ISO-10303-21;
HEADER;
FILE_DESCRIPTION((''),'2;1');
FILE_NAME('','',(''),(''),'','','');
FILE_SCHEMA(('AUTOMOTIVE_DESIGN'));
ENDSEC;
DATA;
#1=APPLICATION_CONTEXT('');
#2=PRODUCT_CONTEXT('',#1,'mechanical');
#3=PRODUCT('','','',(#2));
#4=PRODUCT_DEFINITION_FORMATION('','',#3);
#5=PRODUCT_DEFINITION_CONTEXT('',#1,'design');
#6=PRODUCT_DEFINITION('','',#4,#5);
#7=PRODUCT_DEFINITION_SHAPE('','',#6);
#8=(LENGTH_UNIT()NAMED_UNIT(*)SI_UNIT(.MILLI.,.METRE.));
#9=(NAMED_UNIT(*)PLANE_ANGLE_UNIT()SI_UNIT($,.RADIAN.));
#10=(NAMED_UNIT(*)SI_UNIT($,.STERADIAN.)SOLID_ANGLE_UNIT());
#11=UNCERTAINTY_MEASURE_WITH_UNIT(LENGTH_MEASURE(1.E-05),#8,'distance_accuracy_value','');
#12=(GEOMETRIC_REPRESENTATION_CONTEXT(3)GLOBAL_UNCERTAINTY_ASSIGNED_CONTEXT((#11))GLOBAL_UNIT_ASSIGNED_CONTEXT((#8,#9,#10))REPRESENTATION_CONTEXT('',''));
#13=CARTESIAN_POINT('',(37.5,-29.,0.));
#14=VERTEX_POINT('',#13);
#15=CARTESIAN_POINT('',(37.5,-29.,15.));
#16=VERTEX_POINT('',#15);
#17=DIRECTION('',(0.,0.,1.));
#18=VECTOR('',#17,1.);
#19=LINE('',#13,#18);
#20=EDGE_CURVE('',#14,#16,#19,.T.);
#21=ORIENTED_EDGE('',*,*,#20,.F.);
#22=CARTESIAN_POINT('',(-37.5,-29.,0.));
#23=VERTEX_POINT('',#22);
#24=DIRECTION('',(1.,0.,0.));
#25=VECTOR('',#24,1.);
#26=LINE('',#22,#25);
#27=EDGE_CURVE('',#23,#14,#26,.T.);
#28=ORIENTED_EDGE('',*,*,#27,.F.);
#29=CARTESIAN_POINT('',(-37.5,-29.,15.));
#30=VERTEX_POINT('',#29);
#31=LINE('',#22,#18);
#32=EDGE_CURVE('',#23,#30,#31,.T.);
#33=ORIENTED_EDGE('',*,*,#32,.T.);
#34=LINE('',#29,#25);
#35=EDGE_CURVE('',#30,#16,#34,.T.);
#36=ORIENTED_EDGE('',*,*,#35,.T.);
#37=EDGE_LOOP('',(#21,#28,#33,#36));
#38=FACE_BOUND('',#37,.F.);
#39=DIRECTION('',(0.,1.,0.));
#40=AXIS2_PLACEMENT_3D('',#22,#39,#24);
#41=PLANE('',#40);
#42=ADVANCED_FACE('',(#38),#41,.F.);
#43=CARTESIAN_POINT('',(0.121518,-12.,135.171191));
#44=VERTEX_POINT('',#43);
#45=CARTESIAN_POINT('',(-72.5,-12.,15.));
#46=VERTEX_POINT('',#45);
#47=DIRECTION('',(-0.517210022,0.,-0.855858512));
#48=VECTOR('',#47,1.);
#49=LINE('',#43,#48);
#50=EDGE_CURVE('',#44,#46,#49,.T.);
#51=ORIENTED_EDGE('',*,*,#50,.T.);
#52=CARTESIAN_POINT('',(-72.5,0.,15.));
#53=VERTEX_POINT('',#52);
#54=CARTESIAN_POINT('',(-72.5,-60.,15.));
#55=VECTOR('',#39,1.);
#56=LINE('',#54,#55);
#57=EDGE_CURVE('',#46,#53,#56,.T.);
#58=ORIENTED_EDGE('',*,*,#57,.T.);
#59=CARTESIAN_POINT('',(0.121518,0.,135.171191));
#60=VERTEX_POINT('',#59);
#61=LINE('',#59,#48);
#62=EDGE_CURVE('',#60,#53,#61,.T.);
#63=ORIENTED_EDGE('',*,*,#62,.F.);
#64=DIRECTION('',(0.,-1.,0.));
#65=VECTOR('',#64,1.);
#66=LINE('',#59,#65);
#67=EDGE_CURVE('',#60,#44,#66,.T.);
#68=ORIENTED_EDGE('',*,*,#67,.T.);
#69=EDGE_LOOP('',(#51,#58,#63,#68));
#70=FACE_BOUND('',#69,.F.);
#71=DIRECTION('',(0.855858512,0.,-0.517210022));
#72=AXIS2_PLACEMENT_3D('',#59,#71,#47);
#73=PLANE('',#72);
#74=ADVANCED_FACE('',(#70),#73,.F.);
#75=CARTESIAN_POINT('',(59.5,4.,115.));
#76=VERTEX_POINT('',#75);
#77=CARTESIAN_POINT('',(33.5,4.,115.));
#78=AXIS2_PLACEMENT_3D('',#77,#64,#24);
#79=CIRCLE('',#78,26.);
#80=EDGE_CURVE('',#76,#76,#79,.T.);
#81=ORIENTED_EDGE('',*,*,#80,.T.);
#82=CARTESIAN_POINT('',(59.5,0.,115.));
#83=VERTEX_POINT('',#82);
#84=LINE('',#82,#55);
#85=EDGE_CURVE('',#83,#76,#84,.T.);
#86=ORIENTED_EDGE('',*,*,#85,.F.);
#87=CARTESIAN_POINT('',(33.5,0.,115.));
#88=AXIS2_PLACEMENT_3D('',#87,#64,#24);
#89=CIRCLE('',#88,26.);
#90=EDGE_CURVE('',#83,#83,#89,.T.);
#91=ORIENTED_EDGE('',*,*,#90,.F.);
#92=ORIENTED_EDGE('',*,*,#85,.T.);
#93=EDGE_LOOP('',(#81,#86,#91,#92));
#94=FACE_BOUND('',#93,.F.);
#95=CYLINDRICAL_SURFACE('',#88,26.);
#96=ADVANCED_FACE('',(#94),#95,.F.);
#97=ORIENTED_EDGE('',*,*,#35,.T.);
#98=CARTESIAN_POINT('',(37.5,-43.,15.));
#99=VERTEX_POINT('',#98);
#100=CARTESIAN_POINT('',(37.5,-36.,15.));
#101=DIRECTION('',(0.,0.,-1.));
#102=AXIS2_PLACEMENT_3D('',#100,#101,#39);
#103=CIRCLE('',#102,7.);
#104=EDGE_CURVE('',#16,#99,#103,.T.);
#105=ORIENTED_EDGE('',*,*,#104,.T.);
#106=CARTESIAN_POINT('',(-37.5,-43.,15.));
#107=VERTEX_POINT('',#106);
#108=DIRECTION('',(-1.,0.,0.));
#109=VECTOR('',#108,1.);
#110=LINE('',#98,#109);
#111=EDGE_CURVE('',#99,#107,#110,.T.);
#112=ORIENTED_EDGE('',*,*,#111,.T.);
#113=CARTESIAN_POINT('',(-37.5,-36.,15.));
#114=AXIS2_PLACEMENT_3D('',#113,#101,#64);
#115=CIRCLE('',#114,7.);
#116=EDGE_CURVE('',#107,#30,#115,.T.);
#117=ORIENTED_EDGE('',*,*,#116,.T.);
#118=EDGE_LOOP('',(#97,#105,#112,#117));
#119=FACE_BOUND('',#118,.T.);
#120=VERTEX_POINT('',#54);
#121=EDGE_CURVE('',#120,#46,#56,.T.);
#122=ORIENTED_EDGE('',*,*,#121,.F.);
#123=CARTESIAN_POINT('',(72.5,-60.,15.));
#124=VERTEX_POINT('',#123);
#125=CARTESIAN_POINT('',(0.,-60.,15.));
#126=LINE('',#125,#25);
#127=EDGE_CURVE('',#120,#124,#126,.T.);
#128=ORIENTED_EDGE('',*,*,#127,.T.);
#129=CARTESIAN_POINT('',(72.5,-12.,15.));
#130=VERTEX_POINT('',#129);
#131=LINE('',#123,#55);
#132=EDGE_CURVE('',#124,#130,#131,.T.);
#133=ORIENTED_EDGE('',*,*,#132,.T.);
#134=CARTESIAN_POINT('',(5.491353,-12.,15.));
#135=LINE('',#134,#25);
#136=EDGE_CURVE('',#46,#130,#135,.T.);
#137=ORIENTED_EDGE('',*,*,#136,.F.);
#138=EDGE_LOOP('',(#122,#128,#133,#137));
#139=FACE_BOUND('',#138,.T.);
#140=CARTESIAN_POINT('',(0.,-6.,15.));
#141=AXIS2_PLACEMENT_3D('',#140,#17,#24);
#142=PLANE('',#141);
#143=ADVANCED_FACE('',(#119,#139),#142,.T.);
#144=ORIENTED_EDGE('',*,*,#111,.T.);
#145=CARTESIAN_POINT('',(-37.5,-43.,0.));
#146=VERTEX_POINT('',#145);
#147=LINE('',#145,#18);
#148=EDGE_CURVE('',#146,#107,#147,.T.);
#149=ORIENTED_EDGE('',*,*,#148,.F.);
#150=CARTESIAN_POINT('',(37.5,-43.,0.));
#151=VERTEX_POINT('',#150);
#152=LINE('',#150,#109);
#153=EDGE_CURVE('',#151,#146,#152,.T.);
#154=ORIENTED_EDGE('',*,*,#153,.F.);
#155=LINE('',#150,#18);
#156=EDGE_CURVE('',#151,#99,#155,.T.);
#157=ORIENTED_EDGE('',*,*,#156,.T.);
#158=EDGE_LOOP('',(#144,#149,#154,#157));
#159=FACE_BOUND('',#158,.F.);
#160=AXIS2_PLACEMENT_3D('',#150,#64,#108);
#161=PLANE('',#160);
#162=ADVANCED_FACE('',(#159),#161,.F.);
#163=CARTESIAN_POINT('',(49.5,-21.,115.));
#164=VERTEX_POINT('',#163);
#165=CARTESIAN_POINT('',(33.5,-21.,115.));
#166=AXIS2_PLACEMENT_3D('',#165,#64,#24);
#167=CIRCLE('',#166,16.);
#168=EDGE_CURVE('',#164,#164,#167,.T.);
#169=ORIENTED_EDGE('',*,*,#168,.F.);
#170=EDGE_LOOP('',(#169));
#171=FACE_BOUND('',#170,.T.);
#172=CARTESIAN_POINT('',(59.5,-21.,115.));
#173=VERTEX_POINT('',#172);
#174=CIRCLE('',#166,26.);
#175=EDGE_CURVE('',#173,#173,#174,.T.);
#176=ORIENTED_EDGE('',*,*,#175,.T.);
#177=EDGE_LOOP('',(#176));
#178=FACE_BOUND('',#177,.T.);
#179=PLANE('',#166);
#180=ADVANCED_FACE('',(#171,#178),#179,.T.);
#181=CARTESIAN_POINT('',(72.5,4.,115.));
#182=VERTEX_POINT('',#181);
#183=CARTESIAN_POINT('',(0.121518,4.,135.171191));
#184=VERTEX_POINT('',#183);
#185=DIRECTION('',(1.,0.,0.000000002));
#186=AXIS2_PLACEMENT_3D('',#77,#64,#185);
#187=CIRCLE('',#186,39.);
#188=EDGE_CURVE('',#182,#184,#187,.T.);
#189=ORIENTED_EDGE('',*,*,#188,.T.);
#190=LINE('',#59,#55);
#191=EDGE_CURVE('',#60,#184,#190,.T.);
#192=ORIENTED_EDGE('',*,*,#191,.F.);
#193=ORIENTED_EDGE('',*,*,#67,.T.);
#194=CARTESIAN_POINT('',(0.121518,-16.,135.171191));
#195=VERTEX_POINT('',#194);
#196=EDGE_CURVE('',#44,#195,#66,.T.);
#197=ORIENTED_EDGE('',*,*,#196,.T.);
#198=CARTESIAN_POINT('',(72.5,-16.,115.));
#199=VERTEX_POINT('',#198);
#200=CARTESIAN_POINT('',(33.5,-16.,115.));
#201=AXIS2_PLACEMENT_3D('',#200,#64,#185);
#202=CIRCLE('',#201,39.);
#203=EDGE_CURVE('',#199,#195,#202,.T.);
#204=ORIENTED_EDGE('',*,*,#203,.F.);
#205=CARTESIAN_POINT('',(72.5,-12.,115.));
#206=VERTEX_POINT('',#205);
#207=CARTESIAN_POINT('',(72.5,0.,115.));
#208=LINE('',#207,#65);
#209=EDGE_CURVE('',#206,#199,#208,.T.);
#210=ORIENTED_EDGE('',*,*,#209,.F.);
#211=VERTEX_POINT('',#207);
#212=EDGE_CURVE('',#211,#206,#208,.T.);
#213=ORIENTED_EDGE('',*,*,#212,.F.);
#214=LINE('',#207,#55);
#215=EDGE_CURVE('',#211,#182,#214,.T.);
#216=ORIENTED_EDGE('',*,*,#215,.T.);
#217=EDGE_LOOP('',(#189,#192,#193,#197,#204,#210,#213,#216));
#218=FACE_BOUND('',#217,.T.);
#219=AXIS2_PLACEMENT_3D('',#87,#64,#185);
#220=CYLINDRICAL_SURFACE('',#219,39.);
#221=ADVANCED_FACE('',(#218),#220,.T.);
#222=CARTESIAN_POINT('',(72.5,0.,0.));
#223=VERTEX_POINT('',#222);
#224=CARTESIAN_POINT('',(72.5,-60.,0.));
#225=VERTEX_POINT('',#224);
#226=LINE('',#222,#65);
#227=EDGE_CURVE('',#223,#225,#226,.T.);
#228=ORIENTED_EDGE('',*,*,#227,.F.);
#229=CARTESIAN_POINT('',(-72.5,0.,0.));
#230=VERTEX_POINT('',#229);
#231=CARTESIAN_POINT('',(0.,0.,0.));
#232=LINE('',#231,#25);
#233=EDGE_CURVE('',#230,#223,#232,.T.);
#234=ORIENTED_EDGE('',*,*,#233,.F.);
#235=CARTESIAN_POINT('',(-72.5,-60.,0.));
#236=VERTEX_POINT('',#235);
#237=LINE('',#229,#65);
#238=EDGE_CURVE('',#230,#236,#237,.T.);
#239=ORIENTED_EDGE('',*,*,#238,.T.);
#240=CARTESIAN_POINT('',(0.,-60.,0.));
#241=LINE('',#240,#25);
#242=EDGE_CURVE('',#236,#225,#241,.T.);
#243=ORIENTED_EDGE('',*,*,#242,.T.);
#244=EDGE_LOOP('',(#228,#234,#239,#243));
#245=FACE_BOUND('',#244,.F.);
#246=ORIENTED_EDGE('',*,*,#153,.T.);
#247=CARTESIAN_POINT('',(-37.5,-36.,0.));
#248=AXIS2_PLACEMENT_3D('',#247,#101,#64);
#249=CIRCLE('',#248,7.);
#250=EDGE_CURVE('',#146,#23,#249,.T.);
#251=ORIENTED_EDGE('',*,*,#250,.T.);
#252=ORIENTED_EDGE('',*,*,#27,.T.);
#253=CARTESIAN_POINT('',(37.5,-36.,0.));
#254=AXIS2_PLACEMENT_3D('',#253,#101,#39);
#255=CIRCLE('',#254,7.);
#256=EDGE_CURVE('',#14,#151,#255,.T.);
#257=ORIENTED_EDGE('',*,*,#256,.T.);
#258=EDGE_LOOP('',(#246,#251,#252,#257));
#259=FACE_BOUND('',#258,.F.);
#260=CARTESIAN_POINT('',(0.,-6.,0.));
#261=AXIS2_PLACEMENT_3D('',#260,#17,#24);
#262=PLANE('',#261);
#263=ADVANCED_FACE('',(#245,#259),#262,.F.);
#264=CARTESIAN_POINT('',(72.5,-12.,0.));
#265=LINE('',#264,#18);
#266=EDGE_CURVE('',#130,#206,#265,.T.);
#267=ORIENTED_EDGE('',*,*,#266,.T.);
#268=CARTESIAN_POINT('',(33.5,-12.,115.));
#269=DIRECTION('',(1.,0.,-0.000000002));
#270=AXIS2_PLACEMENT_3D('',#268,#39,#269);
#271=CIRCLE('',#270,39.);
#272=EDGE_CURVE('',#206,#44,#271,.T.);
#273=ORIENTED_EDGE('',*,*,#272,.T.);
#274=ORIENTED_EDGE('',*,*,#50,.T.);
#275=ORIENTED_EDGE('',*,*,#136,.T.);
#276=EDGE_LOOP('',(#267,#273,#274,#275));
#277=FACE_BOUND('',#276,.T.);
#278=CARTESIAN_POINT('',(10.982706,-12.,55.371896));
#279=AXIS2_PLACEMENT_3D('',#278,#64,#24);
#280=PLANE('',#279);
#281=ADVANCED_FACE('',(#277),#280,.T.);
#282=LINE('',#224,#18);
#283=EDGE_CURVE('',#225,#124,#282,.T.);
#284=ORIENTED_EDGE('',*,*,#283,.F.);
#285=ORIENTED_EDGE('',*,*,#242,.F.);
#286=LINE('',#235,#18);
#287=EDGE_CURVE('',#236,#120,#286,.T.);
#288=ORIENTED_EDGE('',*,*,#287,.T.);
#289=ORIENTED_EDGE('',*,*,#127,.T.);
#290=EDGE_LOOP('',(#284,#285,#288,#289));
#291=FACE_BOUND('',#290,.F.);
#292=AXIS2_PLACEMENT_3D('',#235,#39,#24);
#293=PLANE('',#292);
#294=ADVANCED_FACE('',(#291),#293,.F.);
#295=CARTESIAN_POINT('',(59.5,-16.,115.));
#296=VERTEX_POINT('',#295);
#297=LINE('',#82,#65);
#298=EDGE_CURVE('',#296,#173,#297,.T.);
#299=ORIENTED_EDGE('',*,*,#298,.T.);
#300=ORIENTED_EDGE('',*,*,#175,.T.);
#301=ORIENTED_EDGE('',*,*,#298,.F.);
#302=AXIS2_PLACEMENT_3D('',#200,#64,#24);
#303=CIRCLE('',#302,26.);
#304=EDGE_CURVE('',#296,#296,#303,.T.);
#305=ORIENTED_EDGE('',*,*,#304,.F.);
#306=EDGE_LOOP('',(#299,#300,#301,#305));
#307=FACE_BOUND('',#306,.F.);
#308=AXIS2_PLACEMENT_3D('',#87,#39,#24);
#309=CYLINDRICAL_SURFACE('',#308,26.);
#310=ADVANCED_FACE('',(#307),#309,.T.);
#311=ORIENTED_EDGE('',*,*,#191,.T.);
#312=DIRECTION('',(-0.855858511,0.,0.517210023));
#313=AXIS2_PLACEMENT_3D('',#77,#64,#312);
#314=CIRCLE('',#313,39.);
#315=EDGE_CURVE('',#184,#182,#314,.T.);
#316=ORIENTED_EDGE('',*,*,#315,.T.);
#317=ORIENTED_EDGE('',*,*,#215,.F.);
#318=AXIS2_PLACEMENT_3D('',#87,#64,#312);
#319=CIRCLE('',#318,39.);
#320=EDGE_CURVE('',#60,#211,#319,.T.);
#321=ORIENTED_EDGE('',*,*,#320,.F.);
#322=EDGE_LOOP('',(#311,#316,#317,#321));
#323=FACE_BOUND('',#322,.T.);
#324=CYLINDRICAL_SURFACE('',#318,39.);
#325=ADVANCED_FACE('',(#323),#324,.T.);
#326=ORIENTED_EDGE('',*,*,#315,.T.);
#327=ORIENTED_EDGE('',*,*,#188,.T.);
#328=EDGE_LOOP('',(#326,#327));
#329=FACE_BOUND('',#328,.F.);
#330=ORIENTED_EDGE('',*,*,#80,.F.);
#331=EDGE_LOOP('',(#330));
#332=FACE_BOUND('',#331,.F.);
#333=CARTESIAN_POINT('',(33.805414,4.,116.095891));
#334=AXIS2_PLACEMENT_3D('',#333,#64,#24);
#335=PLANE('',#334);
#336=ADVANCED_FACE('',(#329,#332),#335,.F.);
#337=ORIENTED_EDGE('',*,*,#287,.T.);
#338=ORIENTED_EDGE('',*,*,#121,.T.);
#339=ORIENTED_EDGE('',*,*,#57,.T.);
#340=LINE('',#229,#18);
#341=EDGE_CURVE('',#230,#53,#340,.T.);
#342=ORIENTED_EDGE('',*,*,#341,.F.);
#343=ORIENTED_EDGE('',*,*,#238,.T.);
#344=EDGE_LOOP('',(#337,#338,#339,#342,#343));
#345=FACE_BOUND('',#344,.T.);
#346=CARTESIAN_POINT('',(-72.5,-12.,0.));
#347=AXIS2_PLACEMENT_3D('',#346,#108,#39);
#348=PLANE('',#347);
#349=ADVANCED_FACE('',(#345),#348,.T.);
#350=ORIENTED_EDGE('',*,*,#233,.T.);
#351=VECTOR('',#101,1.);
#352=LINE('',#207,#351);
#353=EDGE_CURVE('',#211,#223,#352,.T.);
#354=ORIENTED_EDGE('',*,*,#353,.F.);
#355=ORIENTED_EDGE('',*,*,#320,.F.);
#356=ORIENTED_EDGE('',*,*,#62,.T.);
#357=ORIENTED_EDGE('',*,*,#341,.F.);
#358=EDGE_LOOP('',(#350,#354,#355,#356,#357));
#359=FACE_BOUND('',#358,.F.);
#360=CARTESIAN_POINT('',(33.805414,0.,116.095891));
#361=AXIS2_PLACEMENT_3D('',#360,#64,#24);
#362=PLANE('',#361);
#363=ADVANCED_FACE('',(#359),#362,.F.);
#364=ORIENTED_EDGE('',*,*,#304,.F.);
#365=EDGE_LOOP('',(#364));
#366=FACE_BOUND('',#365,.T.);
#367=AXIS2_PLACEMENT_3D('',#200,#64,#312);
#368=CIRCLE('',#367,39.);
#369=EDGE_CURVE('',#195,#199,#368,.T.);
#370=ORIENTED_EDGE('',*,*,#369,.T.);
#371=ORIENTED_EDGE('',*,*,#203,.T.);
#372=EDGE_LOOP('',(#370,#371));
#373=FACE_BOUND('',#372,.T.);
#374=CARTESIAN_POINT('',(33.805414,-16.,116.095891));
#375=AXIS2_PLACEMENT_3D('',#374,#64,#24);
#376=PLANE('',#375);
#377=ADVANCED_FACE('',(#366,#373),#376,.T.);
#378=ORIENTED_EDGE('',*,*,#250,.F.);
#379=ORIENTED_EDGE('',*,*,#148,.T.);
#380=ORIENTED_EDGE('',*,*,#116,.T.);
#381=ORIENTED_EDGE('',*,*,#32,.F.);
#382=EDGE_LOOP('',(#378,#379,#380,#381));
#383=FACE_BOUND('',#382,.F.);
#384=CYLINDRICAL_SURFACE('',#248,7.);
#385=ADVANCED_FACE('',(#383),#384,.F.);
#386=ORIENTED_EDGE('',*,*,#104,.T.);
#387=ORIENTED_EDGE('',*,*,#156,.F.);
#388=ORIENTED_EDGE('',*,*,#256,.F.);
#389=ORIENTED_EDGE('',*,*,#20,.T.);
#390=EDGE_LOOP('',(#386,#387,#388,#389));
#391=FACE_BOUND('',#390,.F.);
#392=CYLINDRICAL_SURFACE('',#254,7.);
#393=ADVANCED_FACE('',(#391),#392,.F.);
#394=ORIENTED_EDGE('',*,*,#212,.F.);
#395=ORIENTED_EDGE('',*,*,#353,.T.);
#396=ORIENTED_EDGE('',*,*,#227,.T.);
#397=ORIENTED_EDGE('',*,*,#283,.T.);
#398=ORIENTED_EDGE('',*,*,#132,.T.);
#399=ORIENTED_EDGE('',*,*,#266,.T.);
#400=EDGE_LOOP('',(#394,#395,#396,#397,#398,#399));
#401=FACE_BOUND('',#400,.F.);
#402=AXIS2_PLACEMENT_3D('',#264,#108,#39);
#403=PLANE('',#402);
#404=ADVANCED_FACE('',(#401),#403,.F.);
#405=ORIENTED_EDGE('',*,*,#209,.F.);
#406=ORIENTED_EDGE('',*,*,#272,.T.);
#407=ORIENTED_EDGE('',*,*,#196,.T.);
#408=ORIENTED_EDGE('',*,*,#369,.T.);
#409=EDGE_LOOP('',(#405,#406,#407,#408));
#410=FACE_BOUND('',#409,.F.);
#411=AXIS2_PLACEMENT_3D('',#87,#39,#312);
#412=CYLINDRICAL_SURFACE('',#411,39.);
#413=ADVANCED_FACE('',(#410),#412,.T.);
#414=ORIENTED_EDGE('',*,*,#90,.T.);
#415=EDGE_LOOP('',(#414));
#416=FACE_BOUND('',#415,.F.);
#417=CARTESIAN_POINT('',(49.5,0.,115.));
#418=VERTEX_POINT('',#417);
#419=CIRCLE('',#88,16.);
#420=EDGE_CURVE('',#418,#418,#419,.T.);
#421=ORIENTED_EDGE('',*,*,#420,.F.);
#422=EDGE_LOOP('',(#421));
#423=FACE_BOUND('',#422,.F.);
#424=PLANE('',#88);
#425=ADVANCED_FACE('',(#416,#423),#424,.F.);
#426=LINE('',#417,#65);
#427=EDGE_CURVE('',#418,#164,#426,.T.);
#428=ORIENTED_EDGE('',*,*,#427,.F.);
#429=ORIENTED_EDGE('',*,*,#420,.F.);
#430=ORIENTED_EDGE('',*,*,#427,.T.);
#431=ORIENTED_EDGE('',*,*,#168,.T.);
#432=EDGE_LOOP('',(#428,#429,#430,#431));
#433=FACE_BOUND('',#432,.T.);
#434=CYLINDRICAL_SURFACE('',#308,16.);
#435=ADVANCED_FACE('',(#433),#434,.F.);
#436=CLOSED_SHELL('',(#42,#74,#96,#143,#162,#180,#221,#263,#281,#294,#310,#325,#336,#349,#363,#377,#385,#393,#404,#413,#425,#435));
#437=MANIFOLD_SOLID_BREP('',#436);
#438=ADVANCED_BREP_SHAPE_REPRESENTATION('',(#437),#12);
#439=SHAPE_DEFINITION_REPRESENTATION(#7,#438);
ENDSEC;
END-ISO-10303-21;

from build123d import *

# Parameters (mm, degrees)
F0_W          = 145
F0_H          = 48
F1_DEPTH      = 15
F0_H_2        = 12
F2_DEPTH      = 15
F4_DEPTH      = 12
F3_R          = 26
F5_DEPTH      = 16
F5_DEPTH_BACK = 4
F3_R_2        = 16
F6_DEPTH      = 21


with BuildPart() as f1:
    # F0 (on Top) → F1 (new body)
    with BuildSketch(Plane.XY):
        with Locations((0, -36)):
            Rectangle(F0_W, F0_H)
        with BuildLine():
            ThreePointArc((-37.5, -43), (-44.5, -36), (-37.5, -29))
            Line((-37.5, -29), (37.5, -29))
            ThreePointArc((37.5, -29), (44.5, -36), (37.5, -43))
            Line((37.5, -43), (-37.5, -43))
        make_face(mode=Mode.SUBTRACT)
    extrude(amount=F1_DEPTH)

    # F0 (on Top) → F2 (join)
    with BuildSketch(Plane.XY):
        with Locations((0, -6)):
            Rectangle(F0_W, F0_H_2)
    extrude(amount=F2_DEPTH)

    # F3 (on Front) → F4 (join)
    with BuildSketch(Plane.XZ):
        with BuildLine():
            Line((-72.5, 15), (-72.5, 0))
            Line((-72.5, 0), (72.5, 0))
            Line((72.5, 0), (72.5, 115))
            ThreePointArc((72.5, 115), (23.030062, 77.431657), (0.121518, 135.171191))
            Line((0.121518, 135.171191), (-72.5, 15))
        make_face()
    extrude(amount=F4_DEPTH)

    # F3 (on Front) → F5 (join, two sides)
    with BuildSketch(Plane.XZ) as f5_sk:
        with BuildLine():
            ThreePointArc((0.121518, 135.171191), (23.030062, 77.431657), (72.5, 115))
            ThreePointArc((72.5, 115), (43.969938, 152.568343), (0.121518, 135.171191))
        make_face()
        with Locations((33.5, 115)):
            Circle(F3_R, mode=Mode.SUBTRACT)
    extrude(amount=F5_DEPTH)
    extrude(f5_sk.sketch, amount=-F5_DEPTH_BACK)

    # F3 (on Front) → F6 (join)
    with BuildSketch(Plane.XZ):
        with Locations((33.5, 115)):
            Circle(F3_R)
        with Locations((33.5, 115)):
            Circle(F3_R_2, mode=Mode.SUBTRACT)
    extrude(amount=F6_DEPTH)


solid = f1.part
